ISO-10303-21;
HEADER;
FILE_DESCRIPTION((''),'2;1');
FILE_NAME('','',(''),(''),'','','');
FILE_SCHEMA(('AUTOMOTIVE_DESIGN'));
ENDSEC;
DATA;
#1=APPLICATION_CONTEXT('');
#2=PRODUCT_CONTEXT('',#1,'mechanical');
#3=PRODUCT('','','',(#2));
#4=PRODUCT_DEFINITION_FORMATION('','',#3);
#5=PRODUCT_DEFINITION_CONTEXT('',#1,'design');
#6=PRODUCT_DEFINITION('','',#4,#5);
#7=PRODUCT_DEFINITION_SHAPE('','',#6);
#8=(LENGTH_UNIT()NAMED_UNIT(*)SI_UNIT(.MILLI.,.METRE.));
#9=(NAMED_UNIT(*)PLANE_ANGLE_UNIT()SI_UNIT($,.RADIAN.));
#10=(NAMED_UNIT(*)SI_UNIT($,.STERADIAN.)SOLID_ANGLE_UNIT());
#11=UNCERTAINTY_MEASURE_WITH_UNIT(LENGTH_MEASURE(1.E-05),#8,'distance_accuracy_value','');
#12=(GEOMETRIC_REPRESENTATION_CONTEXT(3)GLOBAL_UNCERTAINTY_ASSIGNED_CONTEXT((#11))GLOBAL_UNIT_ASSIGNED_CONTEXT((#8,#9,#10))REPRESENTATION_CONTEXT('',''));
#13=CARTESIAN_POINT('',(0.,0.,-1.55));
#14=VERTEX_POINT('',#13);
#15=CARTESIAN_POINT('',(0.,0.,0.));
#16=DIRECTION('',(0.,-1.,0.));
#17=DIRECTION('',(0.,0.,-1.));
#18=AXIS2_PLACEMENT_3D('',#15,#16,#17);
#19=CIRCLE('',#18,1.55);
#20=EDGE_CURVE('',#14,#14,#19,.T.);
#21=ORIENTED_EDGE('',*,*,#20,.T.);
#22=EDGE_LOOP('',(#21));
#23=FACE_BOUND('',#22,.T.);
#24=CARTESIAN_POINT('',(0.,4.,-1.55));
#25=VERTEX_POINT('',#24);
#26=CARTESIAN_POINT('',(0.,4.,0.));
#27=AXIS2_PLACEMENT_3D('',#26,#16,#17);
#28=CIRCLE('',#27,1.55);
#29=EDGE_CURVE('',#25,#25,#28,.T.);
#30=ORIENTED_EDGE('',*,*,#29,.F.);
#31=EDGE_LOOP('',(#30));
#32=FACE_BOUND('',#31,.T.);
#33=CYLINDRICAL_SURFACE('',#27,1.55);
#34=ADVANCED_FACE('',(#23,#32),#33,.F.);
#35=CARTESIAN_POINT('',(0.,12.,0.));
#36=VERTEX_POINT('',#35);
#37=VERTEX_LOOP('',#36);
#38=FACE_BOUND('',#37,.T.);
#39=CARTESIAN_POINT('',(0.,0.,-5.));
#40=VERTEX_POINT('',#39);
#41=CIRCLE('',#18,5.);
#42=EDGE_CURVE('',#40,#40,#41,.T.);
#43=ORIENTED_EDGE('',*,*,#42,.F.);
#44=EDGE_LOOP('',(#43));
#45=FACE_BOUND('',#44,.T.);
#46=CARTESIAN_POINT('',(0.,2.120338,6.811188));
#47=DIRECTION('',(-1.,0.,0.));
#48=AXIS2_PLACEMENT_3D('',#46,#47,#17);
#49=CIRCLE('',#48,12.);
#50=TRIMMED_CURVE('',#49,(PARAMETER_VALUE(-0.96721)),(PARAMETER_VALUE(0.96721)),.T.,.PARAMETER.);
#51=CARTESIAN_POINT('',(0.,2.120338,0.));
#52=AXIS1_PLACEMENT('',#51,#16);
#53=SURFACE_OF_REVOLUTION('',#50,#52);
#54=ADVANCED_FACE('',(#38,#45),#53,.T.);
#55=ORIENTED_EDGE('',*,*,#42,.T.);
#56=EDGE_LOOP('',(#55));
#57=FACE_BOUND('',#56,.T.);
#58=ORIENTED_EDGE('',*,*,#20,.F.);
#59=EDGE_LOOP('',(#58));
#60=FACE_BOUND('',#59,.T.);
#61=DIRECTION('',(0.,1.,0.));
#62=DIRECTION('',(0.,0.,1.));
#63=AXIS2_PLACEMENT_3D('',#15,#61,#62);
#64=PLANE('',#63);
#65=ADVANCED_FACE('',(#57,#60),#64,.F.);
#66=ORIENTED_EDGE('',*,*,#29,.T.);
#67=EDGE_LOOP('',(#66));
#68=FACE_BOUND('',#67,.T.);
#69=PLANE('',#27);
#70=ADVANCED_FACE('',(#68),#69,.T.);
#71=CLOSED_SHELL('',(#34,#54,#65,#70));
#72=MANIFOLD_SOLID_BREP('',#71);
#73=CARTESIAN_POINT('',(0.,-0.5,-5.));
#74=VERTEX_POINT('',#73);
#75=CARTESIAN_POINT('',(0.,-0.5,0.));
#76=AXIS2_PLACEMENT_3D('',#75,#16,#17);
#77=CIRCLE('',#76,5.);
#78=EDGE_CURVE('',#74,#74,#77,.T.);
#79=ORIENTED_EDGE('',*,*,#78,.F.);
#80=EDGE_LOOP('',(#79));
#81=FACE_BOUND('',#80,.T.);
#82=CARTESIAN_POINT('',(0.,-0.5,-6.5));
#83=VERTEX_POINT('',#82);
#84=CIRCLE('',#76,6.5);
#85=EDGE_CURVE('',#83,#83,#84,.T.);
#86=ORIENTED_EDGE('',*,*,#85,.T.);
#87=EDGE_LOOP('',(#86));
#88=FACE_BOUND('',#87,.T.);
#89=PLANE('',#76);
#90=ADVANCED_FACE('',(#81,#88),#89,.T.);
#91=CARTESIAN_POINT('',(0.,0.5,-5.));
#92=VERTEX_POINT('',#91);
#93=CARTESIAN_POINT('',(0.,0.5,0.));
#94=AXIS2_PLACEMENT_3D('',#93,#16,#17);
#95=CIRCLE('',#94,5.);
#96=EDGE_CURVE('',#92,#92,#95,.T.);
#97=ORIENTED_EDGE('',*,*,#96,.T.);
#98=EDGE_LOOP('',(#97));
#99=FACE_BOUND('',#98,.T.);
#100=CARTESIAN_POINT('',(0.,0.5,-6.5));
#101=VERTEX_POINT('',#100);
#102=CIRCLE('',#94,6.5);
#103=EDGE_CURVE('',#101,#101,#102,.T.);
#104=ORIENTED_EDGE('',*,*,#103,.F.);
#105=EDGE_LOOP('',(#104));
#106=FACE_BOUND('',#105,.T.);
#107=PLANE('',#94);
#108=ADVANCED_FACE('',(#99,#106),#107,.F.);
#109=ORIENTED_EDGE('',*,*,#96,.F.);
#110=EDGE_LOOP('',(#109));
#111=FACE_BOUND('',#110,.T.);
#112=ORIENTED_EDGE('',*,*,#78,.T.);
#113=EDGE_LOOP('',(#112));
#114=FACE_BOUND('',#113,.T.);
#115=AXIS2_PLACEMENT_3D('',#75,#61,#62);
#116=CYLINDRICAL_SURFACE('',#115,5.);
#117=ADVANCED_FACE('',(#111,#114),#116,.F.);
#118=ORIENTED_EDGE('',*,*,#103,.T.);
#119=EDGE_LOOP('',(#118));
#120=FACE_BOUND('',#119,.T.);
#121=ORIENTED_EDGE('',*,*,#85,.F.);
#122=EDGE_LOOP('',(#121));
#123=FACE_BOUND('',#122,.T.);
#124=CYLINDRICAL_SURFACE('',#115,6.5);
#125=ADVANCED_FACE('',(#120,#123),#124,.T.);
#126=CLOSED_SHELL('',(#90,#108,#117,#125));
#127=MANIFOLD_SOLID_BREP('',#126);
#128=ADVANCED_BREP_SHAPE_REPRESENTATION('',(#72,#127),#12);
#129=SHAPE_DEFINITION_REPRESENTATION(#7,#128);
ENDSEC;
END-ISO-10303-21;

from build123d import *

# Parameters (mm, degrees)
CROQUIS2_R              = 6.5
CROQUIS2_R_2            = 5
SALIENTE_EXTRUIR1_DEPTH = 0.5
CROQUIS3_R              = 1.55
CORTAR_EXTRUIR1_DEPTH   = 4


with BuildPart() as part:
    # Croquis1 → Revolución1 (revolve)
    with BuildSketch(Plane.XY):
        with BuildLine():
            Line((0, 0), (-5, 0))
            ThreePointArc((-5, 0), (-4.265734922, 6.735722884), (0, 12))
            Line((0, 12), (0, 0))
        make_face()
    revolve(axis=Axis((0, 0, 0), (0, 1, 0)))

    # Croquis3 → Cortar-Extruir1 (cut)
    with BuildSketch(Plane.XZ):
        Circle(CROQUIS3_R)
    extrude(amount=-CORTAR_EXTRUIR1_DEPTH, mode=Mode.SUBTRACT)


with BuildPart() as body_2:
    # Croquis2 → Saliente-Extruir1 (new body, symmetric)
    with BuildSketch(Plane.XZ):
        Circle(CROQUIS2_R)
        Circle(CROQUIS2_R_2, mode=Mode.SUBTRACT)
    extrude(amount=SALIENTE_EXTRUIR1_DEPTH, both=True)


solid = Compound([part.part, body_2.part])
